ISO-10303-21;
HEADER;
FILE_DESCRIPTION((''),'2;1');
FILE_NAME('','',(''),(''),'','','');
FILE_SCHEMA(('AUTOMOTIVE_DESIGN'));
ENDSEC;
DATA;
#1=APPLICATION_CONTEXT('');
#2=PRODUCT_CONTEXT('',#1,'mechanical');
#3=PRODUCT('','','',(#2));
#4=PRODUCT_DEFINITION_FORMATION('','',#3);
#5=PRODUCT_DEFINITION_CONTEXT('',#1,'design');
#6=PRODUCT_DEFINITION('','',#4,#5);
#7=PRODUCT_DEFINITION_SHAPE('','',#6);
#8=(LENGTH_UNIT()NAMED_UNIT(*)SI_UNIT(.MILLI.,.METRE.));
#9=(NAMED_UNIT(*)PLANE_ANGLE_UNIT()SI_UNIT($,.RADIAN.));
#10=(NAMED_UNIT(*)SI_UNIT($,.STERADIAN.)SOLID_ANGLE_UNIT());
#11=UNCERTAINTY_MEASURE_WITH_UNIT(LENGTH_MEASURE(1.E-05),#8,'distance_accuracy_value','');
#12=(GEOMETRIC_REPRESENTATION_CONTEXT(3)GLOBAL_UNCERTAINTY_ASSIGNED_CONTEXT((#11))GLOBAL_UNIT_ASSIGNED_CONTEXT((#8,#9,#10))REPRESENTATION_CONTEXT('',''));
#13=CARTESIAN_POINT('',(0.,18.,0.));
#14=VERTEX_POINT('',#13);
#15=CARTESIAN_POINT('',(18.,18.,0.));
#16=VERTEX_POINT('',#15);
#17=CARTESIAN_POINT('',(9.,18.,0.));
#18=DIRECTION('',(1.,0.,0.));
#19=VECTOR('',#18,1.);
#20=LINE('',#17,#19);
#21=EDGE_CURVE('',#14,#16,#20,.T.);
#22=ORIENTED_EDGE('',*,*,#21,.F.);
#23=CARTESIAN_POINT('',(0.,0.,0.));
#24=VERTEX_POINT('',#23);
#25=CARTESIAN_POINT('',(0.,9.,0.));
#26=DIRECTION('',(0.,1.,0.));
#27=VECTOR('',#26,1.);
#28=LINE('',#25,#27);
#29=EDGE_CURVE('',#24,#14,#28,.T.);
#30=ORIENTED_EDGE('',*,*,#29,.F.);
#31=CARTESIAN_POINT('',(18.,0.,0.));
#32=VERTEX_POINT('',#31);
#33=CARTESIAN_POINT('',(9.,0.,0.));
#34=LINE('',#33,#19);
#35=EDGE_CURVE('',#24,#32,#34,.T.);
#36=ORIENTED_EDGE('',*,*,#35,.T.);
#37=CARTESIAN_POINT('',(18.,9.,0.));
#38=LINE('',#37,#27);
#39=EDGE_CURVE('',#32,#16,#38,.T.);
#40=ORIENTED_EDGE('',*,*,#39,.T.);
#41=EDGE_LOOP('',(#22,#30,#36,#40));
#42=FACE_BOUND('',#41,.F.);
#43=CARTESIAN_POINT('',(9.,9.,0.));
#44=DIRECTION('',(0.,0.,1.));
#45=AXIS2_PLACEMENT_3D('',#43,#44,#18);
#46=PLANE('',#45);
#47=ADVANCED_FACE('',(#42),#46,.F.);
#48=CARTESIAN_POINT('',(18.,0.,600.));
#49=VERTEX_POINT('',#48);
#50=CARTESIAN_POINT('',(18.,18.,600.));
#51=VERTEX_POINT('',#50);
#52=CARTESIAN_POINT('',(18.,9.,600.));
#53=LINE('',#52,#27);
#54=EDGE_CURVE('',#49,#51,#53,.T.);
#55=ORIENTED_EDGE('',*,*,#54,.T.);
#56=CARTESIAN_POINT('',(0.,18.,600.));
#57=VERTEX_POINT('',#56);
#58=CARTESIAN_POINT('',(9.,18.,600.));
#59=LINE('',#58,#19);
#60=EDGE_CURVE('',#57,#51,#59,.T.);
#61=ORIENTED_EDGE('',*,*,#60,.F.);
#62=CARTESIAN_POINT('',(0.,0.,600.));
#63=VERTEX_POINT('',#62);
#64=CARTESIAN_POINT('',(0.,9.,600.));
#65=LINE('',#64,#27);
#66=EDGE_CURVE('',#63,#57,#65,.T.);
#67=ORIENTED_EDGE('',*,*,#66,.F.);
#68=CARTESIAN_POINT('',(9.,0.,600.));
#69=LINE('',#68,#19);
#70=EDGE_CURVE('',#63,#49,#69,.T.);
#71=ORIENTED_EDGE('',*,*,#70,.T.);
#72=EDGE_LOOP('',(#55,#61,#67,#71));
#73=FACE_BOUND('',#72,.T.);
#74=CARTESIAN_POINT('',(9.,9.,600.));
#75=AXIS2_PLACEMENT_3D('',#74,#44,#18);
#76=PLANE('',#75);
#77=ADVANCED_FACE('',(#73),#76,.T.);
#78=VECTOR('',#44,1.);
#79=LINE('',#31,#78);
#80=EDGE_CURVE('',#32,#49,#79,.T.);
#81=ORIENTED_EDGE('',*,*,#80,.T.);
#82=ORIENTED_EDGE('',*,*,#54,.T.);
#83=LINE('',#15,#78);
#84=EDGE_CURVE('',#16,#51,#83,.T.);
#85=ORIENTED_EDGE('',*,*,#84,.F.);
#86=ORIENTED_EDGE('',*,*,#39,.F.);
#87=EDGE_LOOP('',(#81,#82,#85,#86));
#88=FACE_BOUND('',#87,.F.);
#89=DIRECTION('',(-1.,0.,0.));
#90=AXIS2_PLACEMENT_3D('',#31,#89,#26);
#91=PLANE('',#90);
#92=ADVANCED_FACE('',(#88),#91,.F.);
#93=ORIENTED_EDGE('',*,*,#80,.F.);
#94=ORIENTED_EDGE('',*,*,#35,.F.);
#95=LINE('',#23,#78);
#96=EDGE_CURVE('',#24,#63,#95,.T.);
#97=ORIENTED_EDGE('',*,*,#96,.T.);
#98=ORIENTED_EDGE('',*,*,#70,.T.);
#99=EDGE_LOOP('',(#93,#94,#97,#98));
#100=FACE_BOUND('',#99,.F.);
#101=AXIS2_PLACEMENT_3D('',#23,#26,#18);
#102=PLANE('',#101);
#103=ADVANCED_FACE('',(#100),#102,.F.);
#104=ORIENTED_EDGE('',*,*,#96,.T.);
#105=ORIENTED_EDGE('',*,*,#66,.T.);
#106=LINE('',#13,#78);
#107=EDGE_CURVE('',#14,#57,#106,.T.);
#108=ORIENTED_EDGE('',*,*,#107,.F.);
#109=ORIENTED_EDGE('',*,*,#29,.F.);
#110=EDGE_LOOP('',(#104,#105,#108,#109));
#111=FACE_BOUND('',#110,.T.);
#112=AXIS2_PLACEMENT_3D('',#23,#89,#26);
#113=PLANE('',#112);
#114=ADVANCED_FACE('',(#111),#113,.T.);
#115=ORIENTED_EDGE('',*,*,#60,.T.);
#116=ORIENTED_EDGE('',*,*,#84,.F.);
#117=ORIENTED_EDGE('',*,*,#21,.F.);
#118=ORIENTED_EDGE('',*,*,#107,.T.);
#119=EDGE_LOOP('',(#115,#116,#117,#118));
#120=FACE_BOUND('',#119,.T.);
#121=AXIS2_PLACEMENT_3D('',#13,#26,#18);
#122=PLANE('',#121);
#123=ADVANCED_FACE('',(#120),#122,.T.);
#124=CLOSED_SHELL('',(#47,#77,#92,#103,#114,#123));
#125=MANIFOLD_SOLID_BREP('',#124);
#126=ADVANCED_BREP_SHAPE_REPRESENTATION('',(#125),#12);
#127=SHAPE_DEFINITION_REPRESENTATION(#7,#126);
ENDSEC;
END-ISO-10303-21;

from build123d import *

# Parameters (mm, degrees)
SKETCH_W  = 18
SKETCH_H  = 18
PAD_DEPTH = 600


with BuildPart() as part:
    # Sketch → Pad (new body)
    with BuildSketch(Plane.XY):
        with Locations((9, 9)):
            Rectangle(SKETCH_W, SKETCH_H)
    extrude(amount=PAD_DEPTH)


solid = part.part
